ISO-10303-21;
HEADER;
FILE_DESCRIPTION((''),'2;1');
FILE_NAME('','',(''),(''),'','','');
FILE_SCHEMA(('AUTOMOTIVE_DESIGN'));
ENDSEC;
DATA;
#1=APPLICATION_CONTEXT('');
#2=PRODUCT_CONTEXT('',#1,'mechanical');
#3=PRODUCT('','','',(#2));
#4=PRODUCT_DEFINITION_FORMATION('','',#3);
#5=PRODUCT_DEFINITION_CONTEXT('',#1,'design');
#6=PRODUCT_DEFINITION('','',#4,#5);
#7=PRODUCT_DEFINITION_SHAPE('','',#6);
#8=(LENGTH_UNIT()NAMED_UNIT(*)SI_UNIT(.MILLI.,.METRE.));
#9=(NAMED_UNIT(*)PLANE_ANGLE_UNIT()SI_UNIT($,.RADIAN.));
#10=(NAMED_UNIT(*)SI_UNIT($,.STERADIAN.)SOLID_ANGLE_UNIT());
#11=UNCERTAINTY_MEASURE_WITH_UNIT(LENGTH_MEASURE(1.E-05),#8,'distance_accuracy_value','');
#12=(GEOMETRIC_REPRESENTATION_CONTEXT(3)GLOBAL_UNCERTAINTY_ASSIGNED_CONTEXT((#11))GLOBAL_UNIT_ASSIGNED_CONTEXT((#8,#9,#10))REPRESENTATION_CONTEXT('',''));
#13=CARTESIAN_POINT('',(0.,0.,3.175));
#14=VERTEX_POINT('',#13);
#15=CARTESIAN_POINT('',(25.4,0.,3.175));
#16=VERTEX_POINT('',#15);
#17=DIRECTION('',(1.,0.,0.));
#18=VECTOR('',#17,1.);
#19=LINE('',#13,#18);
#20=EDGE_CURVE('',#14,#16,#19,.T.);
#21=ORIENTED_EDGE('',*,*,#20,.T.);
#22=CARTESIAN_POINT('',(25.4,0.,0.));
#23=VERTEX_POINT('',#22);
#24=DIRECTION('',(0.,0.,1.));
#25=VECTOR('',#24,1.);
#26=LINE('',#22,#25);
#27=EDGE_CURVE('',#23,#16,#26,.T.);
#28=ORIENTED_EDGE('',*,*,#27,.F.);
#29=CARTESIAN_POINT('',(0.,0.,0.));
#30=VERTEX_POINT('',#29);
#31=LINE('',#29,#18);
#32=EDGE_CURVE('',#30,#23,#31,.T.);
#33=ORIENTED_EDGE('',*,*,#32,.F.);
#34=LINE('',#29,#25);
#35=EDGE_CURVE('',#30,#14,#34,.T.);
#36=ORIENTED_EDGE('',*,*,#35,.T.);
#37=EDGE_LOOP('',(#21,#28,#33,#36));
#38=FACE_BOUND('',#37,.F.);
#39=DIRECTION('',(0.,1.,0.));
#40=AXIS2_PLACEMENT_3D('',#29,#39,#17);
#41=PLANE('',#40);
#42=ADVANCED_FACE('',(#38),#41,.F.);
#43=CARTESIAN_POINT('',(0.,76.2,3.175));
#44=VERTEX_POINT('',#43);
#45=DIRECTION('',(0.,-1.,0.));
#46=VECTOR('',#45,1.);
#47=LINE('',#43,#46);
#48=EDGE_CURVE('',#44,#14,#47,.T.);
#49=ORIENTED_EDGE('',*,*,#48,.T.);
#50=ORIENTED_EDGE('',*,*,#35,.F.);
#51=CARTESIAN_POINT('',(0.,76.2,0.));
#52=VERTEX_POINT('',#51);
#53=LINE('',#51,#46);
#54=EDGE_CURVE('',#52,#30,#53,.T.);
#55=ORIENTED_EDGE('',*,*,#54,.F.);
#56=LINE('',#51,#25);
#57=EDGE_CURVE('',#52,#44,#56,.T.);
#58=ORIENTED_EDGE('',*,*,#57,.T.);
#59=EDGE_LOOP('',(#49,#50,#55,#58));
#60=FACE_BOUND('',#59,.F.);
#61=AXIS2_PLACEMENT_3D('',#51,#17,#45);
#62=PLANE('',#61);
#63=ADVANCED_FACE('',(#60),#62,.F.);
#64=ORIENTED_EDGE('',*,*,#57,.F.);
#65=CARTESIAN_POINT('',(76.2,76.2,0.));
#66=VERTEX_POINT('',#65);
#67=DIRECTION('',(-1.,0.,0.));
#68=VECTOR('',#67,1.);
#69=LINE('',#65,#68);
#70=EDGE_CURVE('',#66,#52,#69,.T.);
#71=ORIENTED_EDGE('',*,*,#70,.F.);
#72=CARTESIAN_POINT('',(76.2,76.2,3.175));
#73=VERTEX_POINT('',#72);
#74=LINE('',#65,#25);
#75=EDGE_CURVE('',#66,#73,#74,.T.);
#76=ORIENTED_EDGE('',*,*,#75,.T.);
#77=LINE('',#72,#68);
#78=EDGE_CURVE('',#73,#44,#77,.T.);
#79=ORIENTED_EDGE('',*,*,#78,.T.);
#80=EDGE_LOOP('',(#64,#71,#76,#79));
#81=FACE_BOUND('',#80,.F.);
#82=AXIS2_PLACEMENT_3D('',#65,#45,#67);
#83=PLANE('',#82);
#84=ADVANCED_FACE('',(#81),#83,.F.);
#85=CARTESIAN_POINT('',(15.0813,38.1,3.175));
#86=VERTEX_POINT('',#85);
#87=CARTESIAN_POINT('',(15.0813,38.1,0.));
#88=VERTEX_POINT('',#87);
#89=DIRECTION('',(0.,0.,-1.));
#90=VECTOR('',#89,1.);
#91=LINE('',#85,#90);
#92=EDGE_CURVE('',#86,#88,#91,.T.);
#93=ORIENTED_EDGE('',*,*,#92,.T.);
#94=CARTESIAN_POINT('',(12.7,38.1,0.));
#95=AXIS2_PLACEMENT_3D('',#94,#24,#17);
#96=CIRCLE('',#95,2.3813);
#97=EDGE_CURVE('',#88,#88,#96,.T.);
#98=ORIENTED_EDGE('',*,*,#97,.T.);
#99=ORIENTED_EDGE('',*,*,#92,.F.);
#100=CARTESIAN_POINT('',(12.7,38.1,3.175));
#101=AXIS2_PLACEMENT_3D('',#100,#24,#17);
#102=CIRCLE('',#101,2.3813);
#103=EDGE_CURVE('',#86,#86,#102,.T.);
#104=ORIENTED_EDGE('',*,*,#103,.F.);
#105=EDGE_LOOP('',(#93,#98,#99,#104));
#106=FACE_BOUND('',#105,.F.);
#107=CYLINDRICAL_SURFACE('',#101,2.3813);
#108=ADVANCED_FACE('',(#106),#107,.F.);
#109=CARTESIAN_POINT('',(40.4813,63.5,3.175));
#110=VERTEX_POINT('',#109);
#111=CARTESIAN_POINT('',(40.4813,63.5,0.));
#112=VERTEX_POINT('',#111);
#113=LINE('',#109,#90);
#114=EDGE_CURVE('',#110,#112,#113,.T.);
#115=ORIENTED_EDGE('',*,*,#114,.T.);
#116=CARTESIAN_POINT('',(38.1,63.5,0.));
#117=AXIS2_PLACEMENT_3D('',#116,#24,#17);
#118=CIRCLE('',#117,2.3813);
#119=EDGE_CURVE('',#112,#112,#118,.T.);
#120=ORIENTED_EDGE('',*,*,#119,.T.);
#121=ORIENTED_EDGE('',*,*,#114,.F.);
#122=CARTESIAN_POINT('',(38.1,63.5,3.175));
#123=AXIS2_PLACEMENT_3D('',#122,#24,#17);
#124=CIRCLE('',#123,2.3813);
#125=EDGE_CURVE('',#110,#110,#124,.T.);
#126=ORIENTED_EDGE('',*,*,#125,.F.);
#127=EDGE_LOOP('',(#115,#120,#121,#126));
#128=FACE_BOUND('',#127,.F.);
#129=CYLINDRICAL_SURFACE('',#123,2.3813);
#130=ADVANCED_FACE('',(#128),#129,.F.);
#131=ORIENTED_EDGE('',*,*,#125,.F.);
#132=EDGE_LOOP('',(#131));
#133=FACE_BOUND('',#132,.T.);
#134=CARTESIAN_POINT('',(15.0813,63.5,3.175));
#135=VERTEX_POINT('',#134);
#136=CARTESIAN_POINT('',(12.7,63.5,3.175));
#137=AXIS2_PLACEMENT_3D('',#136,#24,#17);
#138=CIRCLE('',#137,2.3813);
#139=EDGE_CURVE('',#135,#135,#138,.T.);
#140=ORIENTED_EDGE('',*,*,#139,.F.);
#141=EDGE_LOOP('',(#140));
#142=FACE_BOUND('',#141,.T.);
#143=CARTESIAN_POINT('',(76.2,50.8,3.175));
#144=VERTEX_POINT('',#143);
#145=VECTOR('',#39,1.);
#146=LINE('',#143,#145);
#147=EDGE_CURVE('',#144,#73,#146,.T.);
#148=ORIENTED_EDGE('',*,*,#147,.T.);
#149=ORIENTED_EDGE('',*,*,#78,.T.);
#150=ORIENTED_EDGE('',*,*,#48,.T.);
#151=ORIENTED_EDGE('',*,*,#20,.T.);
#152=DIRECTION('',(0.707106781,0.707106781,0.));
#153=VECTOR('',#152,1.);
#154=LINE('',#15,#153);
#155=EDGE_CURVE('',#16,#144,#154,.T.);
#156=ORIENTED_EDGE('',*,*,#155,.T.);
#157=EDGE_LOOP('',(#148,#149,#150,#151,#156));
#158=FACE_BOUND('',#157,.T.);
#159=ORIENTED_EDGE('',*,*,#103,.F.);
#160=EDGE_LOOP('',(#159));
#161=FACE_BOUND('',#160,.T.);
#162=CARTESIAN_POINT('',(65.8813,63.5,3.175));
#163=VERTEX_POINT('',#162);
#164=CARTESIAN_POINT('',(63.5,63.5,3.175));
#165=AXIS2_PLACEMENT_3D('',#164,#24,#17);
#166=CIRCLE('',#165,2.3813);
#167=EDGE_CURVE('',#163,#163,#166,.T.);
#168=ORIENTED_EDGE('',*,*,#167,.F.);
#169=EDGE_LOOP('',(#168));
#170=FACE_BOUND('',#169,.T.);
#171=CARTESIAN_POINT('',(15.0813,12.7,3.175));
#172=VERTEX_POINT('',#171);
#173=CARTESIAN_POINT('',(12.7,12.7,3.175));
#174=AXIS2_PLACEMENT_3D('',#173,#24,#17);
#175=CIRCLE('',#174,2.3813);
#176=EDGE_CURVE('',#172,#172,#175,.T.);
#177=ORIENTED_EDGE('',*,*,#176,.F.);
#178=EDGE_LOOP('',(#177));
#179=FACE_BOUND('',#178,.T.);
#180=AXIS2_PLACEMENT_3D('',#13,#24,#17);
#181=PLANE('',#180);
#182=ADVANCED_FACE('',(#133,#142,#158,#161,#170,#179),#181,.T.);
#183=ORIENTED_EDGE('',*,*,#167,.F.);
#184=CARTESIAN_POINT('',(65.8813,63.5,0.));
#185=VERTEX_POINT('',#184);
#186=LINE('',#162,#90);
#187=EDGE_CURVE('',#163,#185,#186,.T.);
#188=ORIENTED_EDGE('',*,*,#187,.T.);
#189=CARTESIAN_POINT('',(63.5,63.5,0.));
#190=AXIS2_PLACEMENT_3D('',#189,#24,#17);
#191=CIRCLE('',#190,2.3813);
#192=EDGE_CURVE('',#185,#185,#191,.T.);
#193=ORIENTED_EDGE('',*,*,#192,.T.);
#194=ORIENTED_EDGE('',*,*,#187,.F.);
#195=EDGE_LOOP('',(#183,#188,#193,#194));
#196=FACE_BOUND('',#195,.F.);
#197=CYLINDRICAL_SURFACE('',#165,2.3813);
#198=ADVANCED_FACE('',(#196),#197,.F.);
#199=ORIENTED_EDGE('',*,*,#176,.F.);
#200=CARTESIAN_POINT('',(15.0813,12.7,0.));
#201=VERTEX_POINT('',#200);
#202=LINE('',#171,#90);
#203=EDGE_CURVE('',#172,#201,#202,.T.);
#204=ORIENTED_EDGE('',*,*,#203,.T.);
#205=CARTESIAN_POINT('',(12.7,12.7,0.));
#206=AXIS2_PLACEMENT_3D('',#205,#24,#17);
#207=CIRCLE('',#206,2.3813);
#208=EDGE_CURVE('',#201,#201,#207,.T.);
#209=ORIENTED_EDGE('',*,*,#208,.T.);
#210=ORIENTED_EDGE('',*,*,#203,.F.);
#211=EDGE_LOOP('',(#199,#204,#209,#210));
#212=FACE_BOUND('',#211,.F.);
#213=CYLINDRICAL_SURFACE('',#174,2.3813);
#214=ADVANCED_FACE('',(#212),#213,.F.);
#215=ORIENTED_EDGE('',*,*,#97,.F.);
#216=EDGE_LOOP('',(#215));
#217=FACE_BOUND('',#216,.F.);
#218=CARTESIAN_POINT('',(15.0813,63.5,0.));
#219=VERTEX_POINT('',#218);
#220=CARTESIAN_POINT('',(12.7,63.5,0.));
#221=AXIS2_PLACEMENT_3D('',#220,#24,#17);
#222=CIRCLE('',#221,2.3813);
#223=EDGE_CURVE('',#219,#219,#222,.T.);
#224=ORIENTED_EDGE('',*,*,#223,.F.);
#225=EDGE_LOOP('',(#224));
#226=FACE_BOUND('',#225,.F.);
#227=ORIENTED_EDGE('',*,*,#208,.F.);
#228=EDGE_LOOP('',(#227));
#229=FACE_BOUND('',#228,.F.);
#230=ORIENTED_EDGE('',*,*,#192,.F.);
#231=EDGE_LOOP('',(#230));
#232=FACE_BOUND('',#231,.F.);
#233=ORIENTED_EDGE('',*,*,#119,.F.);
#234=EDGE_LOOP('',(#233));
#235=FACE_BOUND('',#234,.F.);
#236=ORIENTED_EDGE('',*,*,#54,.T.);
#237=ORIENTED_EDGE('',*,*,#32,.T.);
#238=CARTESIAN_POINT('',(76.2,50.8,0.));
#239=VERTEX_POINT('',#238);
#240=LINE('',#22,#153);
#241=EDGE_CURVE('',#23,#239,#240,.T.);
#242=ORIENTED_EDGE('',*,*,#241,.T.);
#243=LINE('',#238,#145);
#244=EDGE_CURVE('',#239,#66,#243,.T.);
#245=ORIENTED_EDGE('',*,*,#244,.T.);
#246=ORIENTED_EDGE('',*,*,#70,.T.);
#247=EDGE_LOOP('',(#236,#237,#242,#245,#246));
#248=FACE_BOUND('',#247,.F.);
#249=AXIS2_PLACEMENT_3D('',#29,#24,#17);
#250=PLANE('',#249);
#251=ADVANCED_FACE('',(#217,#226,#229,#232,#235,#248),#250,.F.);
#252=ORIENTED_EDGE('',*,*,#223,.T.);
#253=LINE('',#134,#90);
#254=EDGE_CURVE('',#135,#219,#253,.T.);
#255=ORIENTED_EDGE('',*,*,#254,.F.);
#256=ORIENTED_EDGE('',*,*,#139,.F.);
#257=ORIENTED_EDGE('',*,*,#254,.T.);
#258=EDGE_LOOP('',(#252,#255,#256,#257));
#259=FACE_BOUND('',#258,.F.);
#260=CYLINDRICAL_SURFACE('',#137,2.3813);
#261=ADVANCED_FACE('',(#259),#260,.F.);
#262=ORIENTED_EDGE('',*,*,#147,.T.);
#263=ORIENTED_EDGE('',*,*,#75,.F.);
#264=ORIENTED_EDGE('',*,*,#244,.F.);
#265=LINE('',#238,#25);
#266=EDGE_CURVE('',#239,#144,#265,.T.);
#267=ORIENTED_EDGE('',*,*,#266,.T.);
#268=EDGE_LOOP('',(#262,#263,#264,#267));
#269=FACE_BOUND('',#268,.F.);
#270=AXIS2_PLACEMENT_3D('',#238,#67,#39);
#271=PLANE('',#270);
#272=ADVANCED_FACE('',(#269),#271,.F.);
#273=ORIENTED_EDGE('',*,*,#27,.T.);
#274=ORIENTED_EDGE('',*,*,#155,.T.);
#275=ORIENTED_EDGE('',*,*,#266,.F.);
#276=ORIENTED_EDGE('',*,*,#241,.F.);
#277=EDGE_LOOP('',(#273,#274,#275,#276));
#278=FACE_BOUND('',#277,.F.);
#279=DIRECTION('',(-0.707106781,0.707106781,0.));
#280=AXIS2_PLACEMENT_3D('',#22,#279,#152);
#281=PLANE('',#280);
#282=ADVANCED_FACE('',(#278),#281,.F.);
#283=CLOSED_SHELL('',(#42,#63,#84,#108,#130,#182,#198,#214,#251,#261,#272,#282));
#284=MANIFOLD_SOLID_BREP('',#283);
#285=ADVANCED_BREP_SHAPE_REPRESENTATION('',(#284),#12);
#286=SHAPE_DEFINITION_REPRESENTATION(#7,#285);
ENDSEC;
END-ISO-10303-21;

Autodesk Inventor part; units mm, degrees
ref_plane "YZ Plane" through (0, 0, 0) normal (1, 0, 0) x (0, 1, 0)
ref_plane "XZ Plane" through (0, 0, 0) normal (0, 1, 0) x (-1, 0, 0)
ref_plane "XY Plane" through (0, 0, 0) normal (0, 0, 1) x (1, 0, 0)
sketch "Sketch1" plane through (0, 0, 0) normal (0, 0, 1) x (1, 0, 0)
  line L0 (0, 0) -> (25.4, 0)
  line L1 (25.4, 0) -> (76.2, 50.8)
  line L2 (76.2, 50.8) -> (76.2, 76.2)
  line L3 (76.2, 76.2) -> (0, 76.2)
  line L4 (0, 76.2) -> (0, 0)
  dimension "d0" = 76.2
  dimension "d1" = 76.2
  dimension "d2" = 25.4
  dimension "d3" = 25.4
extrude "Extrusion1" add sketch "Sketch1" along normal blind 3.175
sketch "Sketch2" plane through (0, 0, 3.175) normal (0, 0, 1) x (1, 0, 0)
  line L0 (0, 0) -> (0, 76.2) projected
  line L1 (0, 76.2) -> (76.2, 76.2) projected
  circle A0 centre (12.7, 63.5) radius 2.3813
  dimension "d6" = 4.7625
  dimension "d7" = 12.7
  dimension "d8" = 12.7
extrude "Extrusion2" cut sketch "Sketch2" against normal up to next
pattern_linear "Rectangular Pattern1" count 4 spacing 25.4 along (1, 0, 0) of "Extrusion2"
pattern_linear "Rectangular Pattern2" count 4 spacing 25.4 along (0, -1, 0) of "Extrusion2"
properties part number "Frame_VerticalAngle_Plate" material "Aluminum-6061"
